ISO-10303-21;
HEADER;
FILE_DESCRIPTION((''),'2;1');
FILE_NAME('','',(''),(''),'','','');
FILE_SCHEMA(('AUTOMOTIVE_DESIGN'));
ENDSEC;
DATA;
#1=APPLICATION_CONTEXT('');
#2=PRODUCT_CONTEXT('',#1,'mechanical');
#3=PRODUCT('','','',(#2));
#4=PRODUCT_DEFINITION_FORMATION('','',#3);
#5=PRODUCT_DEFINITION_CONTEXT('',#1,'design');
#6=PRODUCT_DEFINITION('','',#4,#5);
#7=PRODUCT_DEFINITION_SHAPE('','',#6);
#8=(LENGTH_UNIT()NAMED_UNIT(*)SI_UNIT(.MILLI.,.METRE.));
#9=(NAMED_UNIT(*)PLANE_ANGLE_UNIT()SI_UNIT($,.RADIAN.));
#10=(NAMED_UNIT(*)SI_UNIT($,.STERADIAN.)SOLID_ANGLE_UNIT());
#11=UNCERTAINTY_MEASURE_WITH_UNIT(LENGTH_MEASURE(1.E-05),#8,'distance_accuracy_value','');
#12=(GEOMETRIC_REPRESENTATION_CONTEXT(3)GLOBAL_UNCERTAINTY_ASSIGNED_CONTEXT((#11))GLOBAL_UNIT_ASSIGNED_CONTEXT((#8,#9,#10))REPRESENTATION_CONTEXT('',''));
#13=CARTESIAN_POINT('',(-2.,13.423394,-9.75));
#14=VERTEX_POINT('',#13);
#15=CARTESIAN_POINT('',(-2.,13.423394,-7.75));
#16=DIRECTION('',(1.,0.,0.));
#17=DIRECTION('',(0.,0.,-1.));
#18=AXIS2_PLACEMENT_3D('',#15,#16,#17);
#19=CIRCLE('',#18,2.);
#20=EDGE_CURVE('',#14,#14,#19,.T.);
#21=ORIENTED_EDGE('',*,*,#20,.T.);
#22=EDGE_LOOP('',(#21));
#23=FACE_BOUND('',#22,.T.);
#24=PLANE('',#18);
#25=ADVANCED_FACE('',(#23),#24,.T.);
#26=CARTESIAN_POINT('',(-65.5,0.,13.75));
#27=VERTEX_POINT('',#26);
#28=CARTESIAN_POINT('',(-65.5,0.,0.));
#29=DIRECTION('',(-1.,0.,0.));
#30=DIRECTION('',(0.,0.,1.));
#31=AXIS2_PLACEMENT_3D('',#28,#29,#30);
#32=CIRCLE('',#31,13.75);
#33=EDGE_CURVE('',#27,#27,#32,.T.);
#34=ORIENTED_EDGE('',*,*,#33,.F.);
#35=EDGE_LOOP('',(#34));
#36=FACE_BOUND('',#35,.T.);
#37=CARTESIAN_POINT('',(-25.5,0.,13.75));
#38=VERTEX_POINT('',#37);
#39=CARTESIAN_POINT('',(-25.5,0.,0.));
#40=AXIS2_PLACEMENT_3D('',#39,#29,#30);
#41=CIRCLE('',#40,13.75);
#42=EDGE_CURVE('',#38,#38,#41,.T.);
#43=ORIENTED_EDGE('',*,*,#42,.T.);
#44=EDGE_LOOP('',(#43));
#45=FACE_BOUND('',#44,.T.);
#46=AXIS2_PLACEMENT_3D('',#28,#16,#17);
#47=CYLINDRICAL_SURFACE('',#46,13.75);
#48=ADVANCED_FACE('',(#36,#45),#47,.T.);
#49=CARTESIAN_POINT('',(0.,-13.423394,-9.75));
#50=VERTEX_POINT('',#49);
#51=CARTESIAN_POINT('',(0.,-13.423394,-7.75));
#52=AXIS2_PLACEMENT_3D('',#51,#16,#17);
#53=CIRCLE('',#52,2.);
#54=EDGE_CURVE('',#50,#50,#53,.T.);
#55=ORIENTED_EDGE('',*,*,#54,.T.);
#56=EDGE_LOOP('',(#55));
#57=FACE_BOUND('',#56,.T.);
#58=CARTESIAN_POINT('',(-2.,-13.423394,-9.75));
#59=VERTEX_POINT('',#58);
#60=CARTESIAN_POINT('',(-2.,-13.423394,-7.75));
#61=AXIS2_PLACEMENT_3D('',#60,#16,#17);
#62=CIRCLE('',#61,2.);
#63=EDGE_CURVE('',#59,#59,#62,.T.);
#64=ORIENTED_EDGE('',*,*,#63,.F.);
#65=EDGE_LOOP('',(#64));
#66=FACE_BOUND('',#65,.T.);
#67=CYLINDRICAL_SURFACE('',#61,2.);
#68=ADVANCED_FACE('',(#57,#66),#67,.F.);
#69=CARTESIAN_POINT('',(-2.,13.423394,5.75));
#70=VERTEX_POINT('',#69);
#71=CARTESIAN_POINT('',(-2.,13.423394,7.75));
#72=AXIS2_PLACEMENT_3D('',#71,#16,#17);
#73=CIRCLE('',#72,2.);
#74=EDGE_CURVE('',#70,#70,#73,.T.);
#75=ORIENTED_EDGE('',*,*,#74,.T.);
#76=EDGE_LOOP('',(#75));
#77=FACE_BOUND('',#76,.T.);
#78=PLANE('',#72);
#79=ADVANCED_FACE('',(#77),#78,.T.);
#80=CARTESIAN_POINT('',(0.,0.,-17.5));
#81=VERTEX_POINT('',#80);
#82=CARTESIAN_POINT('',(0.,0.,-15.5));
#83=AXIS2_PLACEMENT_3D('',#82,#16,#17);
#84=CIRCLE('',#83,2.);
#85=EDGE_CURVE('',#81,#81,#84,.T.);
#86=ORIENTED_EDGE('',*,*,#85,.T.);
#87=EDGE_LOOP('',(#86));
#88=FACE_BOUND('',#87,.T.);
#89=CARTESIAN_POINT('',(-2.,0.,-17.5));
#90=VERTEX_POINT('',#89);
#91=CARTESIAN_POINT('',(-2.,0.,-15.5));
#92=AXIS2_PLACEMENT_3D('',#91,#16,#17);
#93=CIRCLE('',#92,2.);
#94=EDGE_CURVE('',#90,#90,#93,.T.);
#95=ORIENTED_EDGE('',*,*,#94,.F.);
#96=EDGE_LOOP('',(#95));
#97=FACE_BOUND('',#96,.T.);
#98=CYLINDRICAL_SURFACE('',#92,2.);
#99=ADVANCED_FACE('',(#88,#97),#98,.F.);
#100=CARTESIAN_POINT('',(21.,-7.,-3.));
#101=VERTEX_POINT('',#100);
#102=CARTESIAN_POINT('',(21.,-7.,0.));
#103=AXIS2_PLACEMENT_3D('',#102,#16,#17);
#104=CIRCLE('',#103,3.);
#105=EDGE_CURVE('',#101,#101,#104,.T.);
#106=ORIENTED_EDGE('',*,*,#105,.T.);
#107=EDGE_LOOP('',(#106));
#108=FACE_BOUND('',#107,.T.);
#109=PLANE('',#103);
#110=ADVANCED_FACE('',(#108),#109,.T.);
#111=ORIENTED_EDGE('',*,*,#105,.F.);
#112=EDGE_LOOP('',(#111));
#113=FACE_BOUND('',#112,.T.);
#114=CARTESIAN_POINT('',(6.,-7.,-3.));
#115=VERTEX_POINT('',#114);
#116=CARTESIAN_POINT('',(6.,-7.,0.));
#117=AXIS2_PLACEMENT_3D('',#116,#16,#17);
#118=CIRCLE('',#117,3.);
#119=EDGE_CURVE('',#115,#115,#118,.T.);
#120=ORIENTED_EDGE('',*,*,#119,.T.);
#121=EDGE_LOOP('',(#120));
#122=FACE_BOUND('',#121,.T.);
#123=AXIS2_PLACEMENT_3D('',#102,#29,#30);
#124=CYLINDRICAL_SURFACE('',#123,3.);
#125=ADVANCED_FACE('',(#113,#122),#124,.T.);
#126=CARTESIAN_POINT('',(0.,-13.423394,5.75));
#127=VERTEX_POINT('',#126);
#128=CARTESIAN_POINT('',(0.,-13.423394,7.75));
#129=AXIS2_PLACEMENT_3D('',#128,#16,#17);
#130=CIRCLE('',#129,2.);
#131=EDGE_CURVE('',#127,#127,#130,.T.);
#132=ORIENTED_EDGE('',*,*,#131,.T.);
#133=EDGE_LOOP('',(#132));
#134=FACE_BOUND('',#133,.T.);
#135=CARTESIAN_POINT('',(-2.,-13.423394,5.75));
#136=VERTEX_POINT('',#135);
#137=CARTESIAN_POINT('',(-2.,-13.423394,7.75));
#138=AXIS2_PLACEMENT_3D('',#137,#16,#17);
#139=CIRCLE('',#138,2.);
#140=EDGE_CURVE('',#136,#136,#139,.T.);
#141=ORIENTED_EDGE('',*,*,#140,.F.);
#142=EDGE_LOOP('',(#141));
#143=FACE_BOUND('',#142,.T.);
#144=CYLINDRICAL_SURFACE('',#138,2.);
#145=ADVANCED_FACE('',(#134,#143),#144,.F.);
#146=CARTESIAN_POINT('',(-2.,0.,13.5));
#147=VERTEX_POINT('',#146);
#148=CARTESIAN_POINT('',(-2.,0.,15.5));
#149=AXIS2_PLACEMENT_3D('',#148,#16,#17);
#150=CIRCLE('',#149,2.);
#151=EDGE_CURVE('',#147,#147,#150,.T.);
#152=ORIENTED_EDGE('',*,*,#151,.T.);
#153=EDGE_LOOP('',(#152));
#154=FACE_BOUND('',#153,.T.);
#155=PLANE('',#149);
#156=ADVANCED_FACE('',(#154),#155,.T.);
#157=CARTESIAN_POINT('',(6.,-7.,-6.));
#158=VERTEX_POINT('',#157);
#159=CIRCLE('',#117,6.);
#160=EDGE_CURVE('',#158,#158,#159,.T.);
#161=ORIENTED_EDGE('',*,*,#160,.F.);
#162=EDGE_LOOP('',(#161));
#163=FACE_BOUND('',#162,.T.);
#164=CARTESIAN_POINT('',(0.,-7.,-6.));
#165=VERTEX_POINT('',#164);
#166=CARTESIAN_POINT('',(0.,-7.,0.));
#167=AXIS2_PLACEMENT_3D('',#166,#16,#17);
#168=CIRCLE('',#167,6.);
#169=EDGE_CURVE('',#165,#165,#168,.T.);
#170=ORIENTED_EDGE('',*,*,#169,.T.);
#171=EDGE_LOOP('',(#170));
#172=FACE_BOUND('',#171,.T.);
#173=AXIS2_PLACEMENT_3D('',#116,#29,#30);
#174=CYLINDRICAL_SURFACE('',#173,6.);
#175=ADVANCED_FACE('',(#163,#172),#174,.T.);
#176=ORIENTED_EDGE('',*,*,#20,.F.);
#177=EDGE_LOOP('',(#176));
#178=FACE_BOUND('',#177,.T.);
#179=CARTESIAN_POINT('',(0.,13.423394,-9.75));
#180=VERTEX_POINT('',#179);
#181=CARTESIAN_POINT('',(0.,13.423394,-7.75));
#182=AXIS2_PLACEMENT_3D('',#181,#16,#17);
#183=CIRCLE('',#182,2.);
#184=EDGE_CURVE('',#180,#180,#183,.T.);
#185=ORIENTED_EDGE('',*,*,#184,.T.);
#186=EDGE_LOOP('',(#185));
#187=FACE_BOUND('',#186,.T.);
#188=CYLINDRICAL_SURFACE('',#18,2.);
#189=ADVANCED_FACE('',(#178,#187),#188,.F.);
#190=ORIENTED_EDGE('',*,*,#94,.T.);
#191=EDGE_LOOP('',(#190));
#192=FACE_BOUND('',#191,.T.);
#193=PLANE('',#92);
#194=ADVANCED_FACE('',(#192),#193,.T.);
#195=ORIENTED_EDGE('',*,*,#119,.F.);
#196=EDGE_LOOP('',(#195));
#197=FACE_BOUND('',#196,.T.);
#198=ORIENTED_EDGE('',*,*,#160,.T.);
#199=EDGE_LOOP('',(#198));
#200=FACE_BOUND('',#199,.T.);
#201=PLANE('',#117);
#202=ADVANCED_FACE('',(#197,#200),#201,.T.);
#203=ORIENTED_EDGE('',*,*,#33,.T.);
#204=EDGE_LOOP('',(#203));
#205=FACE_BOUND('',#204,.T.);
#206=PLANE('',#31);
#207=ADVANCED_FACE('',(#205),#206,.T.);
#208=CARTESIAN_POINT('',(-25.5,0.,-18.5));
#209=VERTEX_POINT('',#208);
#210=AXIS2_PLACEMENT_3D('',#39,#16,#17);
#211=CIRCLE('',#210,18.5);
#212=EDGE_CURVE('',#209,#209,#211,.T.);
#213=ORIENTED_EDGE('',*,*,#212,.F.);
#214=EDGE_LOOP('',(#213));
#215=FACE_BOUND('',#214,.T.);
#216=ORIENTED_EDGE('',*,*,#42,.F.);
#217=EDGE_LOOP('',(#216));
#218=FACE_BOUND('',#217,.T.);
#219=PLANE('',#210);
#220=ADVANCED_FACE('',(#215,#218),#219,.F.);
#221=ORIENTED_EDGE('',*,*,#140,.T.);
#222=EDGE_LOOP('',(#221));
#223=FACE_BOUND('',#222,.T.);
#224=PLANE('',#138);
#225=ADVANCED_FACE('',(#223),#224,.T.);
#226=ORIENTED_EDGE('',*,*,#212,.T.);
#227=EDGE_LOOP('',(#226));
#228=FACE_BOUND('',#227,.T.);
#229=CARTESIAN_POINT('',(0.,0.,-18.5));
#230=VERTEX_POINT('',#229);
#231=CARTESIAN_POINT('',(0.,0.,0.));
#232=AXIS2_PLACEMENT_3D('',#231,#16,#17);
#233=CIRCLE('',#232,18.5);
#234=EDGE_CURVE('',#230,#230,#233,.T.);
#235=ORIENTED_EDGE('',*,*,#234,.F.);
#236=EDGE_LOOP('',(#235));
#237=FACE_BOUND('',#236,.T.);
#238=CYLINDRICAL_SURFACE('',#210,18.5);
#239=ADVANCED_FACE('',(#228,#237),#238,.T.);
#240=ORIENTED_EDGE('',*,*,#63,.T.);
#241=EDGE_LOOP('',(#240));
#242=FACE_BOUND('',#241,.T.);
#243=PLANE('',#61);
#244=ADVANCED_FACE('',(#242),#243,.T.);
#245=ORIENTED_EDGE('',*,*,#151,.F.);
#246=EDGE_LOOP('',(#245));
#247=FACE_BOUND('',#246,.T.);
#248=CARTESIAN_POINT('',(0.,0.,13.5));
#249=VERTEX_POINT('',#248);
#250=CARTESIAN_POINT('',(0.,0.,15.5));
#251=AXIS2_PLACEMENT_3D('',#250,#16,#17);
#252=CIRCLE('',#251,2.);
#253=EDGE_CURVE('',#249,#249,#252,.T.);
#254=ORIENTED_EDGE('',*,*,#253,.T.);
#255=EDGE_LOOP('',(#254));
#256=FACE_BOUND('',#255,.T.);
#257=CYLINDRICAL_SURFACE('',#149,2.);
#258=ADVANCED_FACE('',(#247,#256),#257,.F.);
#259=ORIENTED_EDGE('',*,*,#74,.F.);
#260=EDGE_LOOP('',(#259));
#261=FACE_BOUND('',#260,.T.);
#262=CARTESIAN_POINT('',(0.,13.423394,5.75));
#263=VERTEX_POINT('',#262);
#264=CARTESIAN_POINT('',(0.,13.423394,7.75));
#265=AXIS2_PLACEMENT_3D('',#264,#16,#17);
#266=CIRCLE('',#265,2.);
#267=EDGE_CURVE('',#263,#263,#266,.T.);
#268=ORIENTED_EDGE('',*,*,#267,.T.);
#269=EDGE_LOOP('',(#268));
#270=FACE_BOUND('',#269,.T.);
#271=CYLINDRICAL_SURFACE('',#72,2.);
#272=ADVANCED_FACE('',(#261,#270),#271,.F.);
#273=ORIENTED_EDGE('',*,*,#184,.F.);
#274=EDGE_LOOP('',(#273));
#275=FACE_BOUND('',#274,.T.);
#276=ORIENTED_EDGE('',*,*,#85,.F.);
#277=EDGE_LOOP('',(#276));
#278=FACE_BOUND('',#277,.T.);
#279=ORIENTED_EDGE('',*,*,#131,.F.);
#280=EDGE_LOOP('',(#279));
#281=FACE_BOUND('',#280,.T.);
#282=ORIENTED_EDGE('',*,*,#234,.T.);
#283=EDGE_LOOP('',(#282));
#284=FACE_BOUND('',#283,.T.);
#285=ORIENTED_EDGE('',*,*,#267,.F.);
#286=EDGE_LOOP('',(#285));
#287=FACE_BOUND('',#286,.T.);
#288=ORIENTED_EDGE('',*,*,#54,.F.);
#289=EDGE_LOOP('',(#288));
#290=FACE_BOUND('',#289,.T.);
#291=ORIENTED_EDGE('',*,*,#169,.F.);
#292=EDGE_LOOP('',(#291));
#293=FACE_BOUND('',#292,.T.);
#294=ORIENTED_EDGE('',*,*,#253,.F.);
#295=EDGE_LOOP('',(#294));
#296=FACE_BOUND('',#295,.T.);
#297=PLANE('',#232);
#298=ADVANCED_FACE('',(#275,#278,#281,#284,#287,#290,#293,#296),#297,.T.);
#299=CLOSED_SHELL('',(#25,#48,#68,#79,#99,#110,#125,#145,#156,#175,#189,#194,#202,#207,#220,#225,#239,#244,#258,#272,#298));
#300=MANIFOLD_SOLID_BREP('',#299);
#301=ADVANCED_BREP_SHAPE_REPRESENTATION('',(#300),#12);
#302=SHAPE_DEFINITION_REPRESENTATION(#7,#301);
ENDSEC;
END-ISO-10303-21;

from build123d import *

# Parameters (mm, degrees)
SKETCH1_R           = 18.5
BOSS_EXTRUDE1_DEPTH = 25.5
SKETCH2_R           = 13.75
BOSS_EXTRUDE2_DEPTH = 40
SKETCH3_R           = 6
BOSS_EXTRUDE3_DEPTH = 6
SKETCH4_R           = 3
BOSS_EXTRUDE4_DEPTH = 15
SKETCH5_R           = 2
CUT_EXTRUDE1_DEPTH  = 2


with BuildPart() as part:
    # Sketch1 → Boss-Extrude1 (new body)
    with BuildSketch(Plane(origin=(0, 0, 0), x_dir=(0, 0, -1), z_dir=(1, 0, 0))):
        Circle(SKETCH1_R)
    extrude(amount=-BOSS_EXTRUDE1_DEPTH)

    # Sketch2 → Boss-Extrude2 (add)
    with BuildSketch(Plane.ZY.offset(25.5)):
        Circle(SKETCH2_R)
    extrude(amount=BOSS_EXTRUDE2_DEPTH)

    # Sketch3 → Boss-Extrude3 (add)
    with BuildSketch(Plane(origin=(0, 0, 0), x_dir=(0, 0, -1), z_dir=(1, 0, 0))):
        with Locations((0, -7)):
            Circle(SKETCH3_R)
    extrude(amount=BOSS_EXTRUDE3_DEPTH)

    # Sketch4 → Boss-Extrude4 (add)
    with BuildSketch(Plane(origin=(6, 0, 0), x_dir=(0, 0, -1), z_dir=(1, 0, 0))):
        with Locations((0, -7)):
            Circle(SKETCH4_R)
    extrude(amount=BOSS_EXTRUDE4_DEPTH)

    # Sketch5 → Cut-Extrude1 (cut)
    with BuildSketch(Plane(origin=(0, 0, 0), x_dir=(0, 0, -1), z_dir=(1, 0, 0))):
        with Locations((-15.5, 0)):
            Circle(SKETCH5_R)
        with Locations((-7.75, 13.423393759)):
            Circle(SKETCH5_R)
        with Locations((7.75, 13.423393759)):
            Circle(SKETCH5_R)
        with Locations((15.5, 0)):
            Circle(SKETCH5_R)
        with Locations((7.75, -13.423393759)):
            Circle(SKETCH5_R)
        with Locations((-7.75, -13.423393759)):
            Circle(SKETCH5_R)
    extrude(amount=-CUT_EXTRUDE1_DEPTH, mode=Mode.SUBTRACT)


solid = part.part
